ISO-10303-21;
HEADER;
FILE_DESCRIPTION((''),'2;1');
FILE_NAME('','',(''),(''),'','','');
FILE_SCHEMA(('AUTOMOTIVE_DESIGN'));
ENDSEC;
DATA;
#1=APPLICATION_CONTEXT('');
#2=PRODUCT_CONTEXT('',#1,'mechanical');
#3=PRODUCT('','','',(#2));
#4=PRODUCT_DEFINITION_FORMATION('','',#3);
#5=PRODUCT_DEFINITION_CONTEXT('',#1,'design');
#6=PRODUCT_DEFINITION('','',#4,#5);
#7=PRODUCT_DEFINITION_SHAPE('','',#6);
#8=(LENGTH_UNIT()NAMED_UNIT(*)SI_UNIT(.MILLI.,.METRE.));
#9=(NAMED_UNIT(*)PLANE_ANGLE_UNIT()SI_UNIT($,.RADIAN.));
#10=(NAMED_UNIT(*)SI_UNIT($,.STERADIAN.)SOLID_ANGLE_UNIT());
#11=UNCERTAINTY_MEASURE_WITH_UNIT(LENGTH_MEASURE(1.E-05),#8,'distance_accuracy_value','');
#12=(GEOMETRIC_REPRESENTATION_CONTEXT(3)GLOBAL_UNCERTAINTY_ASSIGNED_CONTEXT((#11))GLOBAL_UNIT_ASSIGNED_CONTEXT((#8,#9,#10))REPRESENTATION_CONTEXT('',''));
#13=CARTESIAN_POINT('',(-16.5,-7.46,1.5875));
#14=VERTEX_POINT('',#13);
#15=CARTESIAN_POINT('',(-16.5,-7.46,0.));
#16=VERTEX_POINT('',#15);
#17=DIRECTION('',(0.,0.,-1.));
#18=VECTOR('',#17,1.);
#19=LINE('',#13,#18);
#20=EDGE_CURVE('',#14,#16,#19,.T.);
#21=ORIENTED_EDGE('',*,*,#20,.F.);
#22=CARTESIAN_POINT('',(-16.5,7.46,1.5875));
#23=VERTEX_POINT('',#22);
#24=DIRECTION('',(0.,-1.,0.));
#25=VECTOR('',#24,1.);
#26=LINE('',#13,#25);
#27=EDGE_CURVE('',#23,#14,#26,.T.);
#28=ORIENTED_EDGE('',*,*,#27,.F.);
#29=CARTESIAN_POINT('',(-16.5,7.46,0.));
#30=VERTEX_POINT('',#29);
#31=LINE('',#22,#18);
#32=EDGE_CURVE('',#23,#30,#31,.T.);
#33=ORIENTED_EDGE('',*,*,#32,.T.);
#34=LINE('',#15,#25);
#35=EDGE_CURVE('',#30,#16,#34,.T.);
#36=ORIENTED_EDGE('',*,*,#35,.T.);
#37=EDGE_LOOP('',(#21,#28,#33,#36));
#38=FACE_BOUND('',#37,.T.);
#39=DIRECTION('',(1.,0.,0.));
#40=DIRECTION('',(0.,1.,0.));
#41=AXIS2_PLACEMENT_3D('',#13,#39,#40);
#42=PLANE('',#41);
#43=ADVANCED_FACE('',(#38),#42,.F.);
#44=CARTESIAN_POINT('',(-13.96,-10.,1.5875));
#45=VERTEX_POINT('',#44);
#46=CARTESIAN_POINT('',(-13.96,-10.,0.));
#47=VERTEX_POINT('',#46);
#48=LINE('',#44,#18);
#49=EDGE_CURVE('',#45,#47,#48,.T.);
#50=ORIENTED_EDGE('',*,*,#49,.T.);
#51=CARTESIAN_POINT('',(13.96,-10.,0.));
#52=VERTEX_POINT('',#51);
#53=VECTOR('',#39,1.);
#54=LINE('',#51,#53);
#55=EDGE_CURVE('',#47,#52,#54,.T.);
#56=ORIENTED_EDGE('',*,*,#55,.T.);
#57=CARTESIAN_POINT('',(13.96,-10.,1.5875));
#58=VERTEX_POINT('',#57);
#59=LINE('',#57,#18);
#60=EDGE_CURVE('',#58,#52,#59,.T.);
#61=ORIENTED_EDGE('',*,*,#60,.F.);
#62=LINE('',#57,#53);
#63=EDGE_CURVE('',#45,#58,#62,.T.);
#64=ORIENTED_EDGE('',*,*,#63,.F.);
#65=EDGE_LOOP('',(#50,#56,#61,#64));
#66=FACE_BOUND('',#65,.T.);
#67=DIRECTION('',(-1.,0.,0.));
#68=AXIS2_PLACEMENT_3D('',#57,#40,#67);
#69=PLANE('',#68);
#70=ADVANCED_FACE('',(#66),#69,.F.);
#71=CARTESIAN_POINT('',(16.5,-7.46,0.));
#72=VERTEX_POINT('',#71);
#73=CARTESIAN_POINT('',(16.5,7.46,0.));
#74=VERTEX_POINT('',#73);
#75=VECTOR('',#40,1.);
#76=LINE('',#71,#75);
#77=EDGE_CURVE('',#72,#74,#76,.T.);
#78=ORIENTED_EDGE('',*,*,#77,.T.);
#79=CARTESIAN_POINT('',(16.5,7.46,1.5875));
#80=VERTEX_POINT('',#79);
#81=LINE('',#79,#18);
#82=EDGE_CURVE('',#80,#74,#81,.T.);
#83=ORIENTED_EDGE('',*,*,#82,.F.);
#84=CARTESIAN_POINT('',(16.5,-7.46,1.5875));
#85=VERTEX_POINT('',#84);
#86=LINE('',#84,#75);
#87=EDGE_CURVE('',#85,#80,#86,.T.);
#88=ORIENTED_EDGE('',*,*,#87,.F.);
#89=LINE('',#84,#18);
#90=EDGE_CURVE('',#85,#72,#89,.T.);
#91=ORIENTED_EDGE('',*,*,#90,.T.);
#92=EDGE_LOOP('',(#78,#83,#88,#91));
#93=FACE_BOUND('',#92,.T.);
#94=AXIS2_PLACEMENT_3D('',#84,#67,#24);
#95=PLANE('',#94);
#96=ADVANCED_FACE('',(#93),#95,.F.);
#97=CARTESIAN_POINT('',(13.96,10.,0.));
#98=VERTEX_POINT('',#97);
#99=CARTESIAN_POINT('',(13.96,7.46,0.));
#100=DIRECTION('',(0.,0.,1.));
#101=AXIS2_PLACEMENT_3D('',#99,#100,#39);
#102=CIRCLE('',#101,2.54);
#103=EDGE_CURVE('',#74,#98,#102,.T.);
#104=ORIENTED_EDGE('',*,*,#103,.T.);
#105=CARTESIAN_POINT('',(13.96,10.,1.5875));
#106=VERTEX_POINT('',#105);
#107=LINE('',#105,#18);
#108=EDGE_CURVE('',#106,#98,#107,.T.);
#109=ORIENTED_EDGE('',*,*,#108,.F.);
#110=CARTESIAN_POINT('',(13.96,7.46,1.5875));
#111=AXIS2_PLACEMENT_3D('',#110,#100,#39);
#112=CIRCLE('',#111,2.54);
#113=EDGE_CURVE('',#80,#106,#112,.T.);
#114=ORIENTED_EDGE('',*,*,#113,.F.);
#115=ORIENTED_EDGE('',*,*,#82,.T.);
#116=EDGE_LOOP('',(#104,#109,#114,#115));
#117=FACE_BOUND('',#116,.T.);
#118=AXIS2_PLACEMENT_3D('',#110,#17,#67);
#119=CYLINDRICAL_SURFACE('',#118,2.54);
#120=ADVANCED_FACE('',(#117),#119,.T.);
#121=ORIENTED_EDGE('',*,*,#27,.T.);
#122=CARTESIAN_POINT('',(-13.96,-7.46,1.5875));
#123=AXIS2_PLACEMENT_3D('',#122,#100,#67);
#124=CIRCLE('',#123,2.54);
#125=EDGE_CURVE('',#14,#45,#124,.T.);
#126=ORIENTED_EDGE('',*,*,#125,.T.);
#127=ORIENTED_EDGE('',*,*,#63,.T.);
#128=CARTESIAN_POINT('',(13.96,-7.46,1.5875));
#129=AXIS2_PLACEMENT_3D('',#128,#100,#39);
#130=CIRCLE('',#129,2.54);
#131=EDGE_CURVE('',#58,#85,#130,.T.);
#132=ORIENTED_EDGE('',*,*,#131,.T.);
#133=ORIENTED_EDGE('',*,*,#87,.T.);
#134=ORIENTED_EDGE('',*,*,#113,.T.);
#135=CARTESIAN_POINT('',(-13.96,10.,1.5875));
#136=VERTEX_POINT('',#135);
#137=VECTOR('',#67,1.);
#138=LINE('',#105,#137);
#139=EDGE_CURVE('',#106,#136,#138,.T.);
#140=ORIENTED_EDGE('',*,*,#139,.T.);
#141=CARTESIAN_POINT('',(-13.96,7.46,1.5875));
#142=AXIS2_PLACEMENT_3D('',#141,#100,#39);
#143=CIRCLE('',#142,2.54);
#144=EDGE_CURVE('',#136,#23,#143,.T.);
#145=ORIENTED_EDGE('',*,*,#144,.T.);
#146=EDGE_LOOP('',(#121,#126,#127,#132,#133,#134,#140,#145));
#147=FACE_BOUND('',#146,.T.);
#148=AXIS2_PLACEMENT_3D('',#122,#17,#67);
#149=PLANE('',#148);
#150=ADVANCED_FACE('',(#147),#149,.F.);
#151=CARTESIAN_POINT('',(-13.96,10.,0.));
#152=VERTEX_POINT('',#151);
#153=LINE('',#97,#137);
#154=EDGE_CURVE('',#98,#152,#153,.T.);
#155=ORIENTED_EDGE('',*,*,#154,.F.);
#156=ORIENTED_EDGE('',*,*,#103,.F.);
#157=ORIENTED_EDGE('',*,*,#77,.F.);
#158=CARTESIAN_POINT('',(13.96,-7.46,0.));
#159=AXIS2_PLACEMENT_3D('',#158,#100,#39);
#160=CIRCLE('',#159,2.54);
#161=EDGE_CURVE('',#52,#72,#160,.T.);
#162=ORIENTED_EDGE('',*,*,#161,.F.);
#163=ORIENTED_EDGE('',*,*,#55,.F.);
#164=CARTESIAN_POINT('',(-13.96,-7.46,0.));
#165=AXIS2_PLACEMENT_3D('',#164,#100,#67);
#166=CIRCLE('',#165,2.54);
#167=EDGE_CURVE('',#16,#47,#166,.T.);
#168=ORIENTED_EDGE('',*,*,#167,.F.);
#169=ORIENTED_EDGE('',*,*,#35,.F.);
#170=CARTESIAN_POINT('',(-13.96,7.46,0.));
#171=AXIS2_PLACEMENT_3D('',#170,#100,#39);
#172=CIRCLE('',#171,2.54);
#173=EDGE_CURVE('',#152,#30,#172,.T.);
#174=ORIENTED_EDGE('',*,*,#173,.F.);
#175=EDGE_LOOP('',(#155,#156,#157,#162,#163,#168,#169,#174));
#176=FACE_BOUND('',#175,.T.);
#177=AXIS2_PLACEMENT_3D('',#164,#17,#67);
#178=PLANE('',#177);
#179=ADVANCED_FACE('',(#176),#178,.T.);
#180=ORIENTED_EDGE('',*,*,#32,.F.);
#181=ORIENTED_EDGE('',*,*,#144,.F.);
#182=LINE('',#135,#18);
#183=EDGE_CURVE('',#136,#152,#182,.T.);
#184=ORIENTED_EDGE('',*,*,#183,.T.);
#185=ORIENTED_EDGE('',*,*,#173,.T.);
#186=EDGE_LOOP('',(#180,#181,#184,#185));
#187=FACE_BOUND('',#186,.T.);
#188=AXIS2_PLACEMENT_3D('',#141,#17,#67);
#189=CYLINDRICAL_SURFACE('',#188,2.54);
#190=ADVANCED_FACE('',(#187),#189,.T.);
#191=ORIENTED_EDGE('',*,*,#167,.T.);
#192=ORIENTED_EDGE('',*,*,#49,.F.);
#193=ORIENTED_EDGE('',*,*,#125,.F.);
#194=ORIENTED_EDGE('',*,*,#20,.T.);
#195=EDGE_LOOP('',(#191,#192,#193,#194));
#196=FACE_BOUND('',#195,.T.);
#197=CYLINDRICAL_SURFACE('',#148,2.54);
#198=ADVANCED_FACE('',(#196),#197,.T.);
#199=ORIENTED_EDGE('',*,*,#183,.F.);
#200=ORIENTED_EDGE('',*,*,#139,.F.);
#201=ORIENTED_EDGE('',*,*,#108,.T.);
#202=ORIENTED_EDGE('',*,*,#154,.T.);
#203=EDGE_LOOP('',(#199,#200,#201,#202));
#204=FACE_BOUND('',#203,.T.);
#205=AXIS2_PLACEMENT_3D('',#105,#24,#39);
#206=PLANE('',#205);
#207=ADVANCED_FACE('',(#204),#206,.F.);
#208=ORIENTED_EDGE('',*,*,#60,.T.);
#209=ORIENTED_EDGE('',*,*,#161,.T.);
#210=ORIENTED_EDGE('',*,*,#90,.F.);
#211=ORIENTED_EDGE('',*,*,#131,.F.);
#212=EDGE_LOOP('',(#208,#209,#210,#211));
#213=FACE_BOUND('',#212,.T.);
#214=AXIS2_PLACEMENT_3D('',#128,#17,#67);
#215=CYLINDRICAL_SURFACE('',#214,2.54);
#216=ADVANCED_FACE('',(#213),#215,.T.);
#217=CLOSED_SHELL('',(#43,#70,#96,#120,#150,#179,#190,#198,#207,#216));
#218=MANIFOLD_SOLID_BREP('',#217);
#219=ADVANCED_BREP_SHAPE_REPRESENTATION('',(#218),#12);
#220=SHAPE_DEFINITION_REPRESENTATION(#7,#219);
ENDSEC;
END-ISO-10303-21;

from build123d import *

# Parameters (mm, degrees)
BOSS_EXTRUDE1_DEPTH = 1.5875


with BuildPart() as part:
    # Sketch1 → Boss-Extrude1 (new body)
    with BuildSketch(Plane.XY):
        with BuildLine():
            Line((13.96, -10), (-13.96, -10))
            ThreePointArc((-13.96, -10), (-15.756051224, -9.256051224), (-16.5, -7.46))
            Line((-16.5, -7.46), (-16.5, 7.46))
            ThreePointArc((-16.5, 7.46), (-15.756051224, 9.256051224), (-13.96, 10))
            Line((-13.96, 10), (13.96, 10))
            ThreePointArc((13.96, 10), (15.756051224, 9.256051224), (16.5, 7.46))
            Line((16.5, 7.46), (16.5, -7.46))
            ThreePointArc((16.5, -7.46), (15.756051224, -9.256051224), (13.96, -10))
        make_face()
    extrude(amount=BOSS_EXTRUDE1_DEPTH)


solid = part.part
